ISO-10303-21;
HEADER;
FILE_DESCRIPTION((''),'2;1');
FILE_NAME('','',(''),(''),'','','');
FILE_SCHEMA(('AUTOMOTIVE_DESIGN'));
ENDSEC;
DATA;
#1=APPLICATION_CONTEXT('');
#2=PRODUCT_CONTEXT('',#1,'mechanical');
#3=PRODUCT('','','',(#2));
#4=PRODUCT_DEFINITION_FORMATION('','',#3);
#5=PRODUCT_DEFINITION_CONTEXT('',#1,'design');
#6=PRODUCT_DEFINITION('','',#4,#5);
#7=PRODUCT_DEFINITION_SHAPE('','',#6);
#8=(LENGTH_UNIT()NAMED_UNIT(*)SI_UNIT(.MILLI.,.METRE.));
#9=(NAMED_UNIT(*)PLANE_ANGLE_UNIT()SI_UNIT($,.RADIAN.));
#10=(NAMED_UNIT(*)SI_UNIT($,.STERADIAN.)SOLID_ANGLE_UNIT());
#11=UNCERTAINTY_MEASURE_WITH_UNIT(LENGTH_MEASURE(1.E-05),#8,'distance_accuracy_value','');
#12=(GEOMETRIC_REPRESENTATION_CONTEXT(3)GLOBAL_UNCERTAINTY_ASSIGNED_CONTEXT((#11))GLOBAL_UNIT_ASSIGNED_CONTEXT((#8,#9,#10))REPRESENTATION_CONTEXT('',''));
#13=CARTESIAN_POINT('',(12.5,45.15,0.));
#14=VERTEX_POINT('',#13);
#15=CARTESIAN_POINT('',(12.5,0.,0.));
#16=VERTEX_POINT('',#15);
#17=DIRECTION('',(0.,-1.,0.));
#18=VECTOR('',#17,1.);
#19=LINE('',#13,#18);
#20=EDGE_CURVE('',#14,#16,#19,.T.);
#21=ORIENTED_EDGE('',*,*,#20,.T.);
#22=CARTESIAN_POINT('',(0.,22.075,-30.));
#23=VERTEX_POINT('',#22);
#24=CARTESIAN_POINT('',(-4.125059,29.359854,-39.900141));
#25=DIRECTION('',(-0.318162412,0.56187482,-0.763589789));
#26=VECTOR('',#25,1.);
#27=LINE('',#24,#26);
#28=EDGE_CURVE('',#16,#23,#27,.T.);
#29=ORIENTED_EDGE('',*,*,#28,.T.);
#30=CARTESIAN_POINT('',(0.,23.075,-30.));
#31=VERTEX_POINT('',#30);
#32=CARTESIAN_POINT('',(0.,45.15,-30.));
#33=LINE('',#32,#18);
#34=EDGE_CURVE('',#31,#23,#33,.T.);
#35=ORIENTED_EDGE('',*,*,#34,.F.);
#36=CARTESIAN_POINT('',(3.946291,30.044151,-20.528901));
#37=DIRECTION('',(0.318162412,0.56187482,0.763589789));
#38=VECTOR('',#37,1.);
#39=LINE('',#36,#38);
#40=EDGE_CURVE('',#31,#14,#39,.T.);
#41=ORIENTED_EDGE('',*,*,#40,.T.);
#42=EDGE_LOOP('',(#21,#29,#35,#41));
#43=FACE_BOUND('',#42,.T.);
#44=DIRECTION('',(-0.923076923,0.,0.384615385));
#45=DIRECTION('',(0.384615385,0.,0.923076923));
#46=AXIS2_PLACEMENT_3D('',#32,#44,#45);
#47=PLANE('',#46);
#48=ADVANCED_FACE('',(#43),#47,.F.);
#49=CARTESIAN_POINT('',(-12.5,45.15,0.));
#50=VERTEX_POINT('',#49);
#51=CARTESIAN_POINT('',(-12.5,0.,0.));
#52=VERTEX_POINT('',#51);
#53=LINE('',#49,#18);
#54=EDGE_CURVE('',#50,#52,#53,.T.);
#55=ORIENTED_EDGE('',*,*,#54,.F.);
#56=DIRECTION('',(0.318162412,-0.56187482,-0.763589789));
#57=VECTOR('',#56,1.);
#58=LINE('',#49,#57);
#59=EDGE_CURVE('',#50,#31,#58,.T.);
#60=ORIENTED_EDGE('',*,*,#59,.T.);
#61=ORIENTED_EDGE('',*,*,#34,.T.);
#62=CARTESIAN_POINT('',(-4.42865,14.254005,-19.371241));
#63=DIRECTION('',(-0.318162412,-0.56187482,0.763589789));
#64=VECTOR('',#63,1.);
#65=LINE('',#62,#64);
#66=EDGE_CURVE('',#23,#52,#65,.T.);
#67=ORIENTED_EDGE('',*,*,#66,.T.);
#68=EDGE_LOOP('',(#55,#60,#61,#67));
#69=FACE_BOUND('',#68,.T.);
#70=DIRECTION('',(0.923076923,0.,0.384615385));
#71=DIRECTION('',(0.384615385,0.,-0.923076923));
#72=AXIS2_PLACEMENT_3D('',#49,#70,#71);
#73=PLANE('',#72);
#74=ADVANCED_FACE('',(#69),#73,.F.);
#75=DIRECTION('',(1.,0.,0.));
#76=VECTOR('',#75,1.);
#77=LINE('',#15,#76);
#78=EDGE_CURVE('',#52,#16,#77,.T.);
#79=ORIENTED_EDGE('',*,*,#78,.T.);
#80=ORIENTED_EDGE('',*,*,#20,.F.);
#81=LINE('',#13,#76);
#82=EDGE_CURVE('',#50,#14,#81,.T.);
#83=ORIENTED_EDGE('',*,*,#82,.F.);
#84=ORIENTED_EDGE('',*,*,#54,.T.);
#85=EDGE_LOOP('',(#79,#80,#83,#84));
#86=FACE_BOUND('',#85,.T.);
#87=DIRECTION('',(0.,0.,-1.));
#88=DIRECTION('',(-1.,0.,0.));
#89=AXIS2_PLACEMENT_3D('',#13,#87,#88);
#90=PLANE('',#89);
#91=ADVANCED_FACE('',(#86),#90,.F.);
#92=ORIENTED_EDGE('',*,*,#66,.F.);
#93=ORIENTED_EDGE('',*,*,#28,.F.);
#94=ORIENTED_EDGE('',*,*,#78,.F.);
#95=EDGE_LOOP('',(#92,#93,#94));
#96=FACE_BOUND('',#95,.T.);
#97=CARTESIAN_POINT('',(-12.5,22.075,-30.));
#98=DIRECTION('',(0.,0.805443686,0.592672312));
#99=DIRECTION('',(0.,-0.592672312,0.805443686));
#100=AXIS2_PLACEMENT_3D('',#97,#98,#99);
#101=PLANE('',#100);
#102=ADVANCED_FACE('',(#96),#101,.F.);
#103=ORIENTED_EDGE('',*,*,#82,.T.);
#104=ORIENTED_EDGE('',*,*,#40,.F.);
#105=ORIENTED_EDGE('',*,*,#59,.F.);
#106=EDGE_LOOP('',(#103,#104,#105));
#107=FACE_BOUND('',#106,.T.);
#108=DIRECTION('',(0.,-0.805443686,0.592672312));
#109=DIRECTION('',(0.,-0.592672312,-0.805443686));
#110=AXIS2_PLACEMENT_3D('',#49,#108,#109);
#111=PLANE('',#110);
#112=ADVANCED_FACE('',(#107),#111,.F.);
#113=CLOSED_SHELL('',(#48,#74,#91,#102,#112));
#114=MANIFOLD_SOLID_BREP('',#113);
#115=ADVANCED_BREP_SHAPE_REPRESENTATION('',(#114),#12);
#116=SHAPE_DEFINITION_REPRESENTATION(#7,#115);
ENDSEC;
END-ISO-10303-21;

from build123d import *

# Parameters (mm, degrees)
BOSS_EXTRUDE1_DEPTH     = 45.15
CUT_EXTRUDE1_DEPTH      = 13.5
CUT_EXTRUDE1_DEPTH_BACK = 13.5


with BuildPart() as part:
    # Sketch3 → Boss-Extrude1 (new body)
    with BuildSketch(Plane(origin=(0, 0, 47.65), x_dir=(1, 0, 0), z_dir=(0, 1, 0))):
        Polygon((-12.5, 47.65), (0, 77.65), (12.5, 47.65), align=None)
    extrude(amount=BOSS_EXTRUDE1_DEPTH)

    # Sketch4 → Cut-Extrude1 (cut, two sides)
    with BuildSketch(Plane(origin=(0, 0, -4.230769231), x_dir=(0, 0, -1), z_dir=(1, 0, 0))) as cut_extrude1_sk:
        Polygon((-4.230769231, 45.15), (25.769230769, 23.075), (25.769230769, 45.15), align=None)
        Polygon((-4.230769231, 0), (25.769230769, 0), (25.769230769, 22.075), align=None)
    extrude(amount=CUT_EXTRUDE1_DEPTH, mode=Mode.SUBTRACT)
    extrude(cut_extrude1_sk.sketch, amount=-CUT_EXTRUDE1_DEPTH_BACK, mode=Mode.SUBTRACT)


solid = part.part
